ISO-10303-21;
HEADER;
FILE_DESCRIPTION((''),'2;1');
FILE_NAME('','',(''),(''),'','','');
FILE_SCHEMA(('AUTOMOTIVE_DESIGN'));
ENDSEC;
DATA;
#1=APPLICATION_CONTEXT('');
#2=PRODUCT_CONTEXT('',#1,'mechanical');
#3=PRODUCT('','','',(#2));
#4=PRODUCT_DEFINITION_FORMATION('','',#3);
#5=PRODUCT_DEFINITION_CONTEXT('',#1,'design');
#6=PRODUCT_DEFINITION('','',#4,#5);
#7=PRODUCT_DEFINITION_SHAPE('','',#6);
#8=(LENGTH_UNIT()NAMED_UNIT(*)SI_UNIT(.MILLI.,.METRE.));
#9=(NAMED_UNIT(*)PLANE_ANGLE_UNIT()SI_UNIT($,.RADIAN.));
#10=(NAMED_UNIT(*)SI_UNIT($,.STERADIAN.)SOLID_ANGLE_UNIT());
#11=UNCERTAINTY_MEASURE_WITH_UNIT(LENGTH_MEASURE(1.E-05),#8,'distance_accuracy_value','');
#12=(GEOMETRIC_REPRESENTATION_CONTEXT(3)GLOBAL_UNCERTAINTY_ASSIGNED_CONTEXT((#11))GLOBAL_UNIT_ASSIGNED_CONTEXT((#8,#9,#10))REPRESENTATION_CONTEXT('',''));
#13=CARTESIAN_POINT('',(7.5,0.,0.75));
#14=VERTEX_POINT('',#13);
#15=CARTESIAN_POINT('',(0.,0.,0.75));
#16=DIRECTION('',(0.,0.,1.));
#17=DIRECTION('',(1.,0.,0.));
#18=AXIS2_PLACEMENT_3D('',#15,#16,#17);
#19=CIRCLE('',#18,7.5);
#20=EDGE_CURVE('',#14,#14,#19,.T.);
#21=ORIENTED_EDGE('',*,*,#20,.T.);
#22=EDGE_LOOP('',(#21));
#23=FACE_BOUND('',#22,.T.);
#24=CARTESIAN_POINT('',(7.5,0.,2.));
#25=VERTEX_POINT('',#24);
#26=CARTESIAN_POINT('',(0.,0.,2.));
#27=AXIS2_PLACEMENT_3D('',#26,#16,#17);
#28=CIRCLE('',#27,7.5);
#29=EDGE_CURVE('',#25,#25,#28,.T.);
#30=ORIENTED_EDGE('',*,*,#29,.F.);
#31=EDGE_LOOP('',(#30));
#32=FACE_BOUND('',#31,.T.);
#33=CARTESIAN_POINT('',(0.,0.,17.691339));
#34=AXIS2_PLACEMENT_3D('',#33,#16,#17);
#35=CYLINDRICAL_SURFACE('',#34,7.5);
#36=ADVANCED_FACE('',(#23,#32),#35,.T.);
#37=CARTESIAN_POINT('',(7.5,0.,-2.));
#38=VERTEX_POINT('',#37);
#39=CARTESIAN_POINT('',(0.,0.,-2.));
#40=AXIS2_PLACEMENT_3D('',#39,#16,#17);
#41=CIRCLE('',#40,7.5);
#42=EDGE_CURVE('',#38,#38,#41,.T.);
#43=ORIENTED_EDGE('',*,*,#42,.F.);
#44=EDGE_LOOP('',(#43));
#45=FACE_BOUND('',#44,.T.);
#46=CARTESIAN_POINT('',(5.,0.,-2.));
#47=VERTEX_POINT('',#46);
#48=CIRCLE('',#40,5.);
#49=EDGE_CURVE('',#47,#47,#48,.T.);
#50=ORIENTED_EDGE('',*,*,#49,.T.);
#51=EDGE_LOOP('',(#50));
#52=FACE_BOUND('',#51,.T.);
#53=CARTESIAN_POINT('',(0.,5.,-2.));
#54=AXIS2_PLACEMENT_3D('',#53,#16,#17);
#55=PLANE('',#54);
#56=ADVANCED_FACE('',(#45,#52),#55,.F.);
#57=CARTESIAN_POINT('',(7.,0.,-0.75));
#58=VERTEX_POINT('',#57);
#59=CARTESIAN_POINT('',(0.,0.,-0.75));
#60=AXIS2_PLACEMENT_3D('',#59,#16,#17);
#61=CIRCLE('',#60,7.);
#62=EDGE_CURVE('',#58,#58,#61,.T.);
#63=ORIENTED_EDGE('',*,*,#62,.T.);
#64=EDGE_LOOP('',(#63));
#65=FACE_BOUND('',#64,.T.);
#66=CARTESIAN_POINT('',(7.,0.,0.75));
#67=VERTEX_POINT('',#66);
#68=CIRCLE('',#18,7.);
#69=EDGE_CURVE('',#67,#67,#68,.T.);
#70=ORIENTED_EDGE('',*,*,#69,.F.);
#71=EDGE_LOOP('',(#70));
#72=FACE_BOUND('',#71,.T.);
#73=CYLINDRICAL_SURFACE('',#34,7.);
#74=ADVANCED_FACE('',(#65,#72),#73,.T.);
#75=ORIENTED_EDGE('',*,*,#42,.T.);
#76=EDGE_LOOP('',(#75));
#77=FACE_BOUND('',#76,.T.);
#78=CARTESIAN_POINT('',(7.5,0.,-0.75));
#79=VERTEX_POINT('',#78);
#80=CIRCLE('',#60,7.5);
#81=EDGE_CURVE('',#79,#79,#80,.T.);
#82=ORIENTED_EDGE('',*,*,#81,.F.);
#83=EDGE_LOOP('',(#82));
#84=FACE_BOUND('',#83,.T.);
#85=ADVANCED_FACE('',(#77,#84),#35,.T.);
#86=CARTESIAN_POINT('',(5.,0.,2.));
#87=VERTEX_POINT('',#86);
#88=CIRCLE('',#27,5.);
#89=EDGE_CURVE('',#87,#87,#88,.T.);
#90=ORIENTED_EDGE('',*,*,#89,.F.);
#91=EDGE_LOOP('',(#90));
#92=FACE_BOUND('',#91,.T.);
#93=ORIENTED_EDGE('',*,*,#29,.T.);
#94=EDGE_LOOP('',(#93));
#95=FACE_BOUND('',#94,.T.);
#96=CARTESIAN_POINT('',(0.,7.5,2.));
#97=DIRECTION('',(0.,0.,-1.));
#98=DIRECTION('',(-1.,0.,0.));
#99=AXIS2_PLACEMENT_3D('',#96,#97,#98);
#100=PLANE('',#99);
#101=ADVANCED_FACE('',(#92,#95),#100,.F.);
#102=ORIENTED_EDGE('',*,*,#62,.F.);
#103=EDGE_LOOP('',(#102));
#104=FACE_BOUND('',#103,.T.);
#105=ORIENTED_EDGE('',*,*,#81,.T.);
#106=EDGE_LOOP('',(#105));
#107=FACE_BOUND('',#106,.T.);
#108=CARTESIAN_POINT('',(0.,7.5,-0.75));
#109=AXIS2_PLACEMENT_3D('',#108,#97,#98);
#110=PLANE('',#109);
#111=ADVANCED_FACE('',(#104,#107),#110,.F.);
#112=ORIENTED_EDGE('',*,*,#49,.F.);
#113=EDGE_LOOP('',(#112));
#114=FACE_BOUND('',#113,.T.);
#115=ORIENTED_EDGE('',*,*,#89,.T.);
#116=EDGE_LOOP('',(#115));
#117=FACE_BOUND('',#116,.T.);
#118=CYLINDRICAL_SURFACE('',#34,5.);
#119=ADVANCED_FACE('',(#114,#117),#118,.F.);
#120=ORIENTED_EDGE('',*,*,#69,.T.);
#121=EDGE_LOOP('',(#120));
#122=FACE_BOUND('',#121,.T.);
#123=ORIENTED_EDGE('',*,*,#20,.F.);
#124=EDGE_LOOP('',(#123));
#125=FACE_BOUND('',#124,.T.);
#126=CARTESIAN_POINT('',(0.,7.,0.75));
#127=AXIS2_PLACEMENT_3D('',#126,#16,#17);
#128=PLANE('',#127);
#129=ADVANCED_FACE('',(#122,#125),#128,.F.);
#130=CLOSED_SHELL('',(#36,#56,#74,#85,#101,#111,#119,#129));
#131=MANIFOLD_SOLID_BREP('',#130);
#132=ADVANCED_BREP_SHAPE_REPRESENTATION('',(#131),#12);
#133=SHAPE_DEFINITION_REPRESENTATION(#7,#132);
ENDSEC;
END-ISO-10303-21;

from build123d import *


with BuildPart() as part:
    # Croquis1 → Revolución1 (revolve)
    with BuildSketch(Plane(origin=(0, 0, 0), x_dir=(0, 0, -1), z_dir=(1, 0, 0)), mode=Mode.PRIVATE) as revoluci_n1_sk:
        Polygon((-2, 5), (2, 5), (2, 7.5), (0.75, 7.5), (0.75, 7), (-0.75, 7), (-0.75, 7.5), (-2, 7.5), align=None)
    revolve(revoluci_n1_sk.sketch.rotate(Axis((0, 0, 17.691339486), (0, 0, -1)), 90), axis=Axis((0, 0, 17.691339486), (0, 0, -1)))


solid = part.part
